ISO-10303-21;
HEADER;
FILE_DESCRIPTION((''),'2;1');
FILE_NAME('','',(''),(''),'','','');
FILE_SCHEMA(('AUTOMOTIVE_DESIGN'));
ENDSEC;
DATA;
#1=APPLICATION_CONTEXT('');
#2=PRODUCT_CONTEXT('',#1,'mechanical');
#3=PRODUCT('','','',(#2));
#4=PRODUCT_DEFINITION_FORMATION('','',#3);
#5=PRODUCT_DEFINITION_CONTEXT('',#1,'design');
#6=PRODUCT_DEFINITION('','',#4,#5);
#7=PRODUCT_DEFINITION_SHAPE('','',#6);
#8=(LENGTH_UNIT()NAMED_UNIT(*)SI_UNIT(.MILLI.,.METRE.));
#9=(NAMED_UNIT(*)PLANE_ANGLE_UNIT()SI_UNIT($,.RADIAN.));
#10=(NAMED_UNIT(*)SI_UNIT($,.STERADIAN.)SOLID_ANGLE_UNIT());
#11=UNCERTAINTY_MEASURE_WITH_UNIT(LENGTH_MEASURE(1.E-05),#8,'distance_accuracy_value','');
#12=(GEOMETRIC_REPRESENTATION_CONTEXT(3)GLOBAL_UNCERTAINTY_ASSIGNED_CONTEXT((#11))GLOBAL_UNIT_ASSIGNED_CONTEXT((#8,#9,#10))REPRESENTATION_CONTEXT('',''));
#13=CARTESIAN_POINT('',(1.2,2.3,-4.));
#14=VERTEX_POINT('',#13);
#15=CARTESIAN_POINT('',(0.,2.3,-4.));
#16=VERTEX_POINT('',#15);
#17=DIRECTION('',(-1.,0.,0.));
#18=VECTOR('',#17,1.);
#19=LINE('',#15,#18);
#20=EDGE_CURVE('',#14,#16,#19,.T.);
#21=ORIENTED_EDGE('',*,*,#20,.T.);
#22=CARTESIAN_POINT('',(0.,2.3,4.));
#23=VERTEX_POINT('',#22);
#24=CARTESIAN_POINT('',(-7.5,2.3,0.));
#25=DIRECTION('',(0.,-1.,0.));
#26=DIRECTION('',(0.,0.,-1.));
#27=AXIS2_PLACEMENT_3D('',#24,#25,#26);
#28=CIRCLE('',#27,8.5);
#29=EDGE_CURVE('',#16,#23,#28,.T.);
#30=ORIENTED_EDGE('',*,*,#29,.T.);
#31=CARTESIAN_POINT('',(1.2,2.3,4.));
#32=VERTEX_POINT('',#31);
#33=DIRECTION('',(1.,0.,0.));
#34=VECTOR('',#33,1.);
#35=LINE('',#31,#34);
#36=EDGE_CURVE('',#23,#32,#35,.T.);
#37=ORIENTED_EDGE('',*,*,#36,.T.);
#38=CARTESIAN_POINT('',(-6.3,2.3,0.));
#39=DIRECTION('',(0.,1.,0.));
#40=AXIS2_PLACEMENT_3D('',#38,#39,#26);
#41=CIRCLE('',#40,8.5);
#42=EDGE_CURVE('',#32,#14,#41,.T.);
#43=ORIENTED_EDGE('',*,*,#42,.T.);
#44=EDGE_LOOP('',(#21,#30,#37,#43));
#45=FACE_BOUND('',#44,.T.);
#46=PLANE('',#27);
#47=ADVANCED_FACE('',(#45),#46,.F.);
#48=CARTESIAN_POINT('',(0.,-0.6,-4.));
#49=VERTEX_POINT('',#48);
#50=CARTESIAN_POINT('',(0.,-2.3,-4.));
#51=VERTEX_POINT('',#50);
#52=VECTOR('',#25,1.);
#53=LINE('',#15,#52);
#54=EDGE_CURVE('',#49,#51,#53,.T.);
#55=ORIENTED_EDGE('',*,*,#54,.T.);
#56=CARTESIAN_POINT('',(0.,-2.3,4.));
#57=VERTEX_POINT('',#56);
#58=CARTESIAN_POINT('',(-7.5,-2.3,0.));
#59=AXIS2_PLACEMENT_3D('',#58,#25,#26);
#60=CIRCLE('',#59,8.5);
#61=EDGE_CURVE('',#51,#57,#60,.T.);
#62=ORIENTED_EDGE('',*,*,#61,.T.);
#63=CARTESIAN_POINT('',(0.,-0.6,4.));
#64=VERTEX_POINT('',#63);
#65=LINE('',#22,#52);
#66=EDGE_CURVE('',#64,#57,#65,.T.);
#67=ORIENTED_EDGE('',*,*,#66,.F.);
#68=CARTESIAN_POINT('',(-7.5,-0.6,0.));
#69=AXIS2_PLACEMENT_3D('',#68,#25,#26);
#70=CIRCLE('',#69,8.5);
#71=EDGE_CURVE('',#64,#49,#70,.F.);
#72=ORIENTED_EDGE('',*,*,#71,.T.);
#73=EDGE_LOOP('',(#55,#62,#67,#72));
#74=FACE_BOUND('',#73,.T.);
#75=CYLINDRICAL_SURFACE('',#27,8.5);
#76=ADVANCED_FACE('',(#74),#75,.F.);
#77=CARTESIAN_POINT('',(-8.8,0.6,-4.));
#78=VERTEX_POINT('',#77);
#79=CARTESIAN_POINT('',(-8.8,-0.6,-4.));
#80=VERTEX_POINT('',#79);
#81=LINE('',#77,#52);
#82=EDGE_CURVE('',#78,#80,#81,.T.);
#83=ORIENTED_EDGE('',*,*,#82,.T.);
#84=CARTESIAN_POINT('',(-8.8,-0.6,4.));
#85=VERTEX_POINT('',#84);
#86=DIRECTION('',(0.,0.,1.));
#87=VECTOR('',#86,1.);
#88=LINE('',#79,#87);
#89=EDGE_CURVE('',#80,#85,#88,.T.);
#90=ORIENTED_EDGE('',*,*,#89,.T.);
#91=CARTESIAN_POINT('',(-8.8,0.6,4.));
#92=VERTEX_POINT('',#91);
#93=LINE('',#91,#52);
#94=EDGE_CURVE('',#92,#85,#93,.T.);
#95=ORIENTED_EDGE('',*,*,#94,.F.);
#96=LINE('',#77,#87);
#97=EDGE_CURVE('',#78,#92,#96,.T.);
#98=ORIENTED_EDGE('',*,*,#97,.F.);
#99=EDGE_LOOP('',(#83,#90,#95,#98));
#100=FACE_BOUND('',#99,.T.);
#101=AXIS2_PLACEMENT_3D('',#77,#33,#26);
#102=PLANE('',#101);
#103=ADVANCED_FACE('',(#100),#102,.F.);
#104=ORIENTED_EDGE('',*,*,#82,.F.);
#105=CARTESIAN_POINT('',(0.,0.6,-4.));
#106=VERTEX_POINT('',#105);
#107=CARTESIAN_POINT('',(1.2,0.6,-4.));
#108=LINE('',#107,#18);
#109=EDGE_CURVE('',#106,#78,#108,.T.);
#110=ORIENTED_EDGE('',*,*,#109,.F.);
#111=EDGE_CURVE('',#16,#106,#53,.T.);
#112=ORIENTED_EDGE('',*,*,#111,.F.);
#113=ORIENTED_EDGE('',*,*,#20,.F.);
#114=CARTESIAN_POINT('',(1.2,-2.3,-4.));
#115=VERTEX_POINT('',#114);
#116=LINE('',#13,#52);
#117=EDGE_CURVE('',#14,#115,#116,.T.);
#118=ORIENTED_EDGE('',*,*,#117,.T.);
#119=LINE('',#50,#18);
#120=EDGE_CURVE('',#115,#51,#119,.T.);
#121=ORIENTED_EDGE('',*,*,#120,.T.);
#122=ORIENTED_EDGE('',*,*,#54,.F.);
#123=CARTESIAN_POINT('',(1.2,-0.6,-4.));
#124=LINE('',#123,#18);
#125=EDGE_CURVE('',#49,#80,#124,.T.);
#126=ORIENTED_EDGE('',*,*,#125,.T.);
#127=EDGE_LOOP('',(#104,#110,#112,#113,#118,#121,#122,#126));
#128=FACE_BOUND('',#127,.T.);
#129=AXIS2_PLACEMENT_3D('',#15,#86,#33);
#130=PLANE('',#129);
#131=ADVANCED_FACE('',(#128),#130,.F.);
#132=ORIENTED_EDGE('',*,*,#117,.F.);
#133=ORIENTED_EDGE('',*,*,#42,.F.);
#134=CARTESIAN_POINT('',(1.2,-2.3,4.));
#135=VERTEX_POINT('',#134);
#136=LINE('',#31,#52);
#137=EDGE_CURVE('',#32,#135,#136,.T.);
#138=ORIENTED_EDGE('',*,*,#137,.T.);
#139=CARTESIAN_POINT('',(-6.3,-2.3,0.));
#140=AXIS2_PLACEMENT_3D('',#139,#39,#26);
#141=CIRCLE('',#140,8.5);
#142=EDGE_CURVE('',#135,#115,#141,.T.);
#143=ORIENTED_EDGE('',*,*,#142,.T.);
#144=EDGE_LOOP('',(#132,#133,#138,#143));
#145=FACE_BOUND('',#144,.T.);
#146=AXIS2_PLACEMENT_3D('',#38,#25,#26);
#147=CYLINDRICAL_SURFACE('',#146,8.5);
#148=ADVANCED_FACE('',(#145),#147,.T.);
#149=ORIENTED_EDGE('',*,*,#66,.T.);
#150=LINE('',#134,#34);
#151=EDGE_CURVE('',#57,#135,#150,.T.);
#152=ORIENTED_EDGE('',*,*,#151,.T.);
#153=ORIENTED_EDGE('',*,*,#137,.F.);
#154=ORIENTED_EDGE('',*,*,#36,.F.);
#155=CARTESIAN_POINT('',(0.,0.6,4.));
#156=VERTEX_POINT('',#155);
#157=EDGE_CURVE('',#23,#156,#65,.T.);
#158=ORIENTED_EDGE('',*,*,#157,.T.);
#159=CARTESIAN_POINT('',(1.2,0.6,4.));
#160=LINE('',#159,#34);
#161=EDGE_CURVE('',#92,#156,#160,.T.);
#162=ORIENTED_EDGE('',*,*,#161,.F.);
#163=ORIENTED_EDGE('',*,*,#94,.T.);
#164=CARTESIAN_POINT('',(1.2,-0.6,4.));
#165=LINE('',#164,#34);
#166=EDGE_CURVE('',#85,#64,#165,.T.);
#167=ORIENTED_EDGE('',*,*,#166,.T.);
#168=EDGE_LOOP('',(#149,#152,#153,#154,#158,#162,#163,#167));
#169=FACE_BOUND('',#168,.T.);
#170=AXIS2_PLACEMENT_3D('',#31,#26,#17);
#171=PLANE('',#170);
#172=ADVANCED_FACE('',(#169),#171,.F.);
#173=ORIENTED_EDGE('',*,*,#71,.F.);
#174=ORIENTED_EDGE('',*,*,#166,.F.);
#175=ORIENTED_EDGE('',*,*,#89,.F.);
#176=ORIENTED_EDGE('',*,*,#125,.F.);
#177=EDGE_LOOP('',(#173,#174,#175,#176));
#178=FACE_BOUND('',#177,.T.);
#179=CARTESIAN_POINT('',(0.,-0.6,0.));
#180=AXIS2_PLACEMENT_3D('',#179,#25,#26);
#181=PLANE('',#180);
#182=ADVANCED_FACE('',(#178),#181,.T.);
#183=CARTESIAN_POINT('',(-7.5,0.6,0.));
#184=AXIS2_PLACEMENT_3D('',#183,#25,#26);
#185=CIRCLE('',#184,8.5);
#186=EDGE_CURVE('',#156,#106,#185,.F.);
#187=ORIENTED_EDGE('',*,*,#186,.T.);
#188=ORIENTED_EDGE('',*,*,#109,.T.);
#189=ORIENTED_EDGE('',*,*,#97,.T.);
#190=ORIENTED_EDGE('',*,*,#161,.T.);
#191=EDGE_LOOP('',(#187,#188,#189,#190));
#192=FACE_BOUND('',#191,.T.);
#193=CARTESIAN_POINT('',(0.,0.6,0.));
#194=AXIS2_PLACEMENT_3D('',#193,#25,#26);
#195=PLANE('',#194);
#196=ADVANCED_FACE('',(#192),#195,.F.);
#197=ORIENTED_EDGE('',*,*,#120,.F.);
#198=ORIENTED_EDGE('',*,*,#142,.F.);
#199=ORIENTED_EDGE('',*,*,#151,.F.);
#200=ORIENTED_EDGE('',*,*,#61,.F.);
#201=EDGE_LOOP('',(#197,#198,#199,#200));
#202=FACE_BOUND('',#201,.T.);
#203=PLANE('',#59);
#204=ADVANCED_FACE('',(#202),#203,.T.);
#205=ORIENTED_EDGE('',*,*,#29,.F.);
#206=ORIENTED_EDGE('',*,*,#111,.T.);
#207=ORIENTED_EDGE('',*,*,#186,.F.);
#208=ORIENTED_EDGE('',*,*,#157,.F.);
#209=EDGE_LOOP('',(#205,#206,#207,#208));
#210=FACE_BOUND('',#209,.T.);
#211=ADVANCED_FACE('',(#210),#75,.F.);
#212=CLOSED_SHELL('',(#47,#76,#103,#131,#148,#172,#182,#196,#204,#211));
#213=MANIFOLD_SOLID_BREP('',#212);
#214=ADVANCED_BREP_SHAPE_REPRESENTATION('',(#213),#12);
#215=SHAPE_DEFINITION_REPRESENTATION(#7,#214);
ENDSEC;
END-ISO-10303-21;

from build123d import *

# Parameters (mm, degrees)
BOSS_EXTRUDE1_DEPTH = 2.3
SKETCH3_W           = 10
SKETCH3_H           = 8
BOSS_EXTRUDE2_DEPTH = 0.6


with BuildPart() as part:
    # Sketch2 → Boss-Extrude1 (new body, symmetric)
    with BuildSketch(Plane(origin=(0, 0, 0), x_dir=(1, 0, 0), z_dir=(0, 1, 0))):
        with BuildLine():
            Line((0, 4), (1.2, 4))
            ThreePointArc((1.2, 4), (2.2, 0), (1.2, -4))
            Line((1.2, -4), (0, -4))
            ThreePointArc((0, -4), (1, 0), (0, 4))
        make_face()
    extrude(amount=BOSS_EXTRUDE1_DEPTH, both=True)

    # Sketch3 → Boss-Extrude2 (add, symmetric)
    with BuildSketch(Plane(origin=(0, 0, 0), x_dir=(1, 0, 0), z_dir=(0, 1, 0))):
        with Locations((-3.8, 0)):
            Rectangle(SKETCH3_W, SKETCH3_H)
    extrude(amount=BOSS_EXTRUDE2_DEPTH, both=True)


solid = part.part
